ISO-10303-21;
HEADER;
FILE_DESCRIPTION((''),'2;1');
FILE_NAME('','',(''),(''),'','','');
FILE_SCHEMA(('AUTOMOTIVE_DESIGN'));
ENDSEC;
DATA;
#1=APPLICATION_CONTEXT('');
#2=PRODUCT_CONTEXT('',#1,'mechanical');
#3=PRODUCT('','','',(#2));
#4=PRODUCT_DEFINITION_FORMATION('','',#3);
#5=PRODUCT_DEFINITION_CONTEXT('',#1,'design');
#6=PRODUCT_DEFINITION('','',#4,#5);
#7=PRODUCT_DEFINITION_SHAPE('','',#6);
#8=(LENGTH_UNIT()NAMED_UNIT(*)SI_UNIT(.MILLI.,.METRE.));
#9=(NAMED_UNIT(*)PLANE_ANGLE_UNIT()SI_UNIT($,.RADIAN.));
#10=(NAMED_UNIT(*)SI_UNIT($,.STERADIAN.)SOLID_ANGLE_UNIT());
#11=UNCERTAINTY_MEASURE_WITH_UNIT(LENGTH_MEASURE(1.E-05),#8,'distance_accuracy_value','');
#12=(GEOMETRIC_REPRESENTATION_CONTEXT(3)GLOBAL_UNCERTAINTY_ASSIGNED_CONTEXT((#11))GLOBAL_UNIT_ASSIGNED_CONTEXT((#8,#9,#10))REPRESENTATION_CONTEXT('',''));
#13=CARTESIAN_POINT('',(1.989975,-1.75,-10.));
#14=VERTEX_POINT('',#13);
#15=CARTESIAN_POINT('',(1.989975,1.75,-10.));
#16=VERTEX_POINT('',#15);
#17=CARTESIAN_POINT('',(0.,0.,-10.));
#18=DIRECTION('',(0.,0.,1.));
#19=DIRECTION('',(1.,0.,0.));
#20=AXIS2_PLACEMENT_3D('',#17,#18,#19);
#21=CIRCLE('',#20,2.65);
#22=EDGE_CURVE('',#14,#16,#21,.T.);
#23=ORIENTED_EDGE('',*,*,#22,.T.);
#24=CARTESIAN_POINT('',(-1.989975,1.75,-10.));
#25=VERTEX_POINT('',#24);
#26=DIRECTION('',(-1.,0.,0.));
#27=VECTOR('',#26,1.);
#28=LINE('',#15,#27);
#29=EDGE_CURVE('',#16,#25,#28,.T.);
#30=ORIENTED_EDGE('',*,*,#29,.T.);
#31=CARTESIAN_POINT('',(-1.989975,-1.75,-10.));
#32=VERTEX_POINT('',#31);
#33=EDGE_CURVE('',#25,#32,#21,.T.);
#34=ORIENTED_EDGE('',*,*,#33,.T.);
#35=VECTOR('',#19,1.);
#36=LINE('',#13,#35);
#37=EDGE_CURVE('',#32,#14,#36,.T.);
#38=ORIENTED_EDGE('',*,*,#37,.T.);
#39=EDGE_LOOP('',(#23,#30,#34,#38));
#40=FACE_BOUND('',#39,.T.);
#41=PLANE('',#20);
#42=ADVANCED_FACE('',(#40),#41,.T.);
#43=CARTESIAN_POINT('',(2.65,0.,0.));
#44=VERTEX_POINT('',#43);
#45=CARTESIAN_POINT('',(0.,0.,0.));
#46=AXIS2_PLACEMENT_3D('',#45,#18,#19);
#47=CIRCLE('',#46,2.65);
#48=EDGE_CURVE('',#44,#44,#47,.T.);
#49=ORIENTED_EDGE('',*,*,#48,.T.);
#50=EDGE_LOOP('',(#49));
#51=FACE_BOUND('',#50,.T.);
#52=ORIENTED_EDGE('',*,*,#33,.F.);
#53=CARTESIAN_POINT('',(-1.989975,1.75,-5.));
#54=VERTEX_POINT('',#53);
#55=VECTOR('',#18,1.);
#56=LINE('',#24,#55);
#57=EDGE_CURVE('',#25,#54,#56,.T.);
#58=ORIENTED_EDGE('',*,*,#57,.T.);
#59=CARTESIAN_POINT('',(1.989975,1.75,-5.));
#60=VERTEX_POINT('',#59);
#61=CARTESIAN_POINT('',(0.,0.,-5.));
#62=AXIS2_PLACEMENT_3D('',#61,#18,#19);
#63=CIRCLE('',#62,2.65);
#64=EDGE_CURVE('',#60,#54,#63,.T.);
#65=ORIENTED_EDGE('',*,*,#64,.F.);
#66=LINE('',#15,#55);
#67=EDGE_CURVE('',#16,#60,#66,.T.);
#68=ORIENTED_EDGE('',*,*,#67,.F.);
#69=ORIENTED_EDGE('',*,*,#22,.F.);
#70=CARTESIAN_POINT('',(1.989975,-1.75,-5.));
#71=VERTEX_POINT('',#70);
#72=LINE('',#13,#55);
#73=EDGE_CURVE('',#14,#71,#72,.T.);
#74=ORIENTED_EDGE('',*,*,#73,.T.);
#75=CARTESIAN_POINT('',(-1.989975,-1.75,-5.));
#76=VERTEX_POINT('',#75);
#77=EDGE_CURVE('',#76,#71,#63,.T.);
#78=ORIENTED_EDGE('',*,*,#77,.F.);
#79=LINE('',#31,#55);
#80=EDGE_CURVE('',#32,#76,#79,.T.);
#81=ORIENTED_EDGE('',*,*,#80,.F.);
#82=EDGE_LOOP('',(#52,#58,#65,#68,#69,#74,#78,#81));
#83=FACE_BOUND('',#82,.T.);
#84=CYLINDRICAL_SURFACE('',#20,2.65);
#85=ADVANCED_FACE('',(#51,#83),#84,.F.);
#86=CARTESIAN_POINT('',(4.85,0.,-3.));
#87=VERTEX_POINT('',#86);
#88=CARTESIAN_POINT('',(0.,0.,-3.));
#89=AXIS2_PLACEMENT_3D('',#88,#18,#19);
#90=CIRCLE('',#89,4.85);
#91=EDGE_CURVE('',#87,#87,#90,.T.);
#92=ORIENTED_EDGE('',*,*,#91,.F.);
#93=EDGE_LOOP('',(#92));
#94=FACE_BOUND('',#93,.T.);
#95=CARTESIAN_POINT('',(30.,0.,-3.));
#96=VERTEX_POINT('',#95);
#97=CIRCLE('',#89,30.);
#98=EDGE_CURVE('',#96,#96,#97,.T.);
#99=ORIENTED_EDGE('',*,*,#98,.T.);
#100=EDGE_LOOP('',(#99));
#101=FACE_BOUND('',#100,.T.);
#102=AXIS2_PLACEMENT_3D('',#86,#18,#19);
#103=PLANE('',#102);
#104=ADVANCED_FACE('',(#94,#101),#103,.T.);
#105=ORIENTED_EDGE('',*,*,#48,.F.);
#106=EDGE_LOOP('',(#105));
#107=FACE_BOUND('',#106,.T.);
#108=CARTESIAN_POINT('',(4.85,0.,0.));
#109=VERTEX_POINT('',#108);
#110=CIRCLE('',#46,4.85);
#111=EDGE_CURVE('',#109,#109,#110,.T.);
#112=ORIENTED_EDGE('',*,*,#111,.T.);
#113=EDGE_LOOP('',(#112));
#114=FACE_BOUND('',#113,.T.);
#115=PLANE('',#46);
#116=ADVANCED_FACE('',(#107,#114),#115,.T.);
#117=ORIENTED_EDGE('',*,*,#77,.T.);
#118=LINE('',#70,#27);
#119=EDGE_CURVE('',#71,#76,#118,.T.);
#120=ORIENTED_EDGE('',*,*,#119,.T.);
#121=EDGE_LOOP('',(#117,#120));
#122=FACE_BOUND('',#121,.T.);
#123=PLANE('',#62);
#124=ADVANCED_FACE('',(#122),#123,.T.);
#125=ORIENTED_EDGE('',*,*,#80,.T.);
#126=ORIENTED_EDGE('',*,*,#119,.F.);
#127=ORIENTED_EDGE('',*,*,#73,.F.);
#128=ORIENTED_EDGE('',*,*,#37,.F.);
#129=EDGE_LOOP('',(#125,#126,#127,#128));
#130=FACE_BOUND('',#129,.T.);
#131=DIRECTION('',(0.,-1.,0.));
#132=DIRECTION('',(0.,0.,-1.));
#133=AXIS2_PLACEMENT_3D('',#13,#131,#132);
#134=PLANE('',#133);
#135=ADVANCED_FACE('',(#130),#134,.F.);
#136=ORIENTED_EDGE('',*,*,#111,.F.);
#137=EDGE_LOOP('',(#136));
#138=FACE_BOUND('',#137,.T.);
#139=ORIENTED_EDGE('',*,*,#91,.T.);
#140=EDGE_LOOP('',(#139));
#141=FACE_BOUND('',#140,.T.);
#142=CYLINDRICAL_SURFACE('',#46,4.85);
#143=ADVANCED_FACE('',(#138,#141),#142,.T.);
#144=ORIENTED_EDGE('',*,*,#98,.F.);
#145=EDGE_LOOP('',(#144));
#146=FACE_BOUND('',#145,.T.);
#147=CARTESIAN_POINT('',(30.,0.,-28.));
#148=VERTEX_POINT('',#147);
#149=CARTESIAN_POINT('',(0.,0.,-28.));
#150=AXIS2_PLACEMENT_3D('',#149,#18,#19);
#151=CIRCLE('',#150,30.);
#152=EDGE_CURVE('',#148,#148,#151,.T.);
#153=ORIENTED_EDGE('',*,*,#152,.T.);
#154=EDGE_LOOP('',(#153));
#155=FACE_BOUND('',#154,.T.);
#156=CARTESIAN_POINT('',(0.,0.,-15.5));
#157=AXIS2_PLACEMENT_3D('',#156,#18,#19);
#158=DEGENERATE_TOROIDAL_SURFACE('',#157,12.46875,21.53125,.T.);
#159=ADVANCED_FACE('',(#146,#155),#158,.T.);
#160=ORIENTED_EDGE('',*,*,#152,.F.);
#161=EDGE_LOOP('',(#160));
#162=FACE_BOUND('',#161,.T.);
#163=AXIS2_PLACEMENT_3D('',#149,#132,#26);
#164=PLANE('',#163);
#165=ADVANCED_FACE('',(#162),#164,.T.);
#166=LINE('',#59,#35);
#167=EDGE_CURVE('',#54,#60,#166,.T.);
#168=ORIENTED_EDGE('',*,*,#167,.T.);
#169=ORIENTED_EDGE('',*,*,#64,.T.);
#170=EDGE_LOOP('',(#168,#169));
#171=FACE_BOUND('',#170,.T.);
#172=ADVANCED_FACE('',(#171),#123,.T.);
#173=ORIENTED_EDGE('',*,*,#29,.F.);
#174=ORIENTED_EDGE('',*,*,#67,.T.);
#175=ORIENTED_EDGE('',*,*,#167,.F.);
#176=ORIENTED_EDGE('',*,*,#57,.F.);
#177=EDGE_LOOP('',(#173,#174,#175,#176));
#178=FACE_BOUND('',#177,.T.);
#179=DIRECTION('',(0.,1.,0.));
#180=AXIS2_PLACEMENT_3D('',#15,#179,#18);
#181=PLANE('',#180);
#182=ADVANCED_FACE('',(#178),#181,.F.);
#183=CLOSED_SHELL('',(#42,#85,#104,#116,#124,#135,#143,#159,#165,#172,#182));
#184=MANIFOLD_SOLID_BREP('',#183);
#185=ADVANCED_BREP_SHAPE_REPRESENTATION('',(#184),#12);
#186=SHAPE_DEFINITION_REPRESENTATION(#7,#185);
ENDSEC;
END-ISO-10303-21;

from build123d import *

# Parameters (mm, degrees)
CUT_EXTRUDE_1_DEPTH = 10
SKETCH_4_R          = 2.65
CUT_EXTRUDE_2_DEPTH = 5


with BuildPart() as part:
    # 草图2 → 旋转1 (revolve)
    with BuildSketch(Plane(origin=(0, 0, 0), x_dir=(1, 0, 0), z_dir=(0, 1, 0))):
        with BuildLine():
            Line((0, 0), (0, 28))
            Line((0, 28), (30, 28))
            ThreePointArc((30, 28), (34, 15.5), (30, 3))
            Line((30, 3), (4.85, 3))
            Line((4.85, 3), (4.85, 0))
            Line((4.85, 0), (0, 0))
        make_face()
    revolve(axis=Axis((0, 0, 0), (0, 0, -1)))

    # 草图3 → 切除-拉伸1 (cut)
    with BuildSketch(Plane.XY):
        with BuildLine():
            Line((1.989974874, 1.75), (-1.989974874, 1.75))
            ThreePointArc((-1.989974874, 1.75), (-2.65, 0), (-1.989974874, -1.75))
            Line((-1.989974874, -1.75), (1.989974874, -1.75))
            ThreePointArc((1.989974874, -1.75), (2.65, 0), (1.989974874, 1.75))
        make_face()
    extrude(amount=-CUT_EXTRUDE_1_DEPTH, mode=Mode.SUBTRACT)

    # 草图4 → 切除-拉伸2 (cut)
    with BuildSketch(Plane.XY):
        Circle(SKETCH_4_R)
    extrude(amount=-CUT_EXTRUDE_2_DEPTH, mode=Mode.SUBTRACT)


solid = part.part
